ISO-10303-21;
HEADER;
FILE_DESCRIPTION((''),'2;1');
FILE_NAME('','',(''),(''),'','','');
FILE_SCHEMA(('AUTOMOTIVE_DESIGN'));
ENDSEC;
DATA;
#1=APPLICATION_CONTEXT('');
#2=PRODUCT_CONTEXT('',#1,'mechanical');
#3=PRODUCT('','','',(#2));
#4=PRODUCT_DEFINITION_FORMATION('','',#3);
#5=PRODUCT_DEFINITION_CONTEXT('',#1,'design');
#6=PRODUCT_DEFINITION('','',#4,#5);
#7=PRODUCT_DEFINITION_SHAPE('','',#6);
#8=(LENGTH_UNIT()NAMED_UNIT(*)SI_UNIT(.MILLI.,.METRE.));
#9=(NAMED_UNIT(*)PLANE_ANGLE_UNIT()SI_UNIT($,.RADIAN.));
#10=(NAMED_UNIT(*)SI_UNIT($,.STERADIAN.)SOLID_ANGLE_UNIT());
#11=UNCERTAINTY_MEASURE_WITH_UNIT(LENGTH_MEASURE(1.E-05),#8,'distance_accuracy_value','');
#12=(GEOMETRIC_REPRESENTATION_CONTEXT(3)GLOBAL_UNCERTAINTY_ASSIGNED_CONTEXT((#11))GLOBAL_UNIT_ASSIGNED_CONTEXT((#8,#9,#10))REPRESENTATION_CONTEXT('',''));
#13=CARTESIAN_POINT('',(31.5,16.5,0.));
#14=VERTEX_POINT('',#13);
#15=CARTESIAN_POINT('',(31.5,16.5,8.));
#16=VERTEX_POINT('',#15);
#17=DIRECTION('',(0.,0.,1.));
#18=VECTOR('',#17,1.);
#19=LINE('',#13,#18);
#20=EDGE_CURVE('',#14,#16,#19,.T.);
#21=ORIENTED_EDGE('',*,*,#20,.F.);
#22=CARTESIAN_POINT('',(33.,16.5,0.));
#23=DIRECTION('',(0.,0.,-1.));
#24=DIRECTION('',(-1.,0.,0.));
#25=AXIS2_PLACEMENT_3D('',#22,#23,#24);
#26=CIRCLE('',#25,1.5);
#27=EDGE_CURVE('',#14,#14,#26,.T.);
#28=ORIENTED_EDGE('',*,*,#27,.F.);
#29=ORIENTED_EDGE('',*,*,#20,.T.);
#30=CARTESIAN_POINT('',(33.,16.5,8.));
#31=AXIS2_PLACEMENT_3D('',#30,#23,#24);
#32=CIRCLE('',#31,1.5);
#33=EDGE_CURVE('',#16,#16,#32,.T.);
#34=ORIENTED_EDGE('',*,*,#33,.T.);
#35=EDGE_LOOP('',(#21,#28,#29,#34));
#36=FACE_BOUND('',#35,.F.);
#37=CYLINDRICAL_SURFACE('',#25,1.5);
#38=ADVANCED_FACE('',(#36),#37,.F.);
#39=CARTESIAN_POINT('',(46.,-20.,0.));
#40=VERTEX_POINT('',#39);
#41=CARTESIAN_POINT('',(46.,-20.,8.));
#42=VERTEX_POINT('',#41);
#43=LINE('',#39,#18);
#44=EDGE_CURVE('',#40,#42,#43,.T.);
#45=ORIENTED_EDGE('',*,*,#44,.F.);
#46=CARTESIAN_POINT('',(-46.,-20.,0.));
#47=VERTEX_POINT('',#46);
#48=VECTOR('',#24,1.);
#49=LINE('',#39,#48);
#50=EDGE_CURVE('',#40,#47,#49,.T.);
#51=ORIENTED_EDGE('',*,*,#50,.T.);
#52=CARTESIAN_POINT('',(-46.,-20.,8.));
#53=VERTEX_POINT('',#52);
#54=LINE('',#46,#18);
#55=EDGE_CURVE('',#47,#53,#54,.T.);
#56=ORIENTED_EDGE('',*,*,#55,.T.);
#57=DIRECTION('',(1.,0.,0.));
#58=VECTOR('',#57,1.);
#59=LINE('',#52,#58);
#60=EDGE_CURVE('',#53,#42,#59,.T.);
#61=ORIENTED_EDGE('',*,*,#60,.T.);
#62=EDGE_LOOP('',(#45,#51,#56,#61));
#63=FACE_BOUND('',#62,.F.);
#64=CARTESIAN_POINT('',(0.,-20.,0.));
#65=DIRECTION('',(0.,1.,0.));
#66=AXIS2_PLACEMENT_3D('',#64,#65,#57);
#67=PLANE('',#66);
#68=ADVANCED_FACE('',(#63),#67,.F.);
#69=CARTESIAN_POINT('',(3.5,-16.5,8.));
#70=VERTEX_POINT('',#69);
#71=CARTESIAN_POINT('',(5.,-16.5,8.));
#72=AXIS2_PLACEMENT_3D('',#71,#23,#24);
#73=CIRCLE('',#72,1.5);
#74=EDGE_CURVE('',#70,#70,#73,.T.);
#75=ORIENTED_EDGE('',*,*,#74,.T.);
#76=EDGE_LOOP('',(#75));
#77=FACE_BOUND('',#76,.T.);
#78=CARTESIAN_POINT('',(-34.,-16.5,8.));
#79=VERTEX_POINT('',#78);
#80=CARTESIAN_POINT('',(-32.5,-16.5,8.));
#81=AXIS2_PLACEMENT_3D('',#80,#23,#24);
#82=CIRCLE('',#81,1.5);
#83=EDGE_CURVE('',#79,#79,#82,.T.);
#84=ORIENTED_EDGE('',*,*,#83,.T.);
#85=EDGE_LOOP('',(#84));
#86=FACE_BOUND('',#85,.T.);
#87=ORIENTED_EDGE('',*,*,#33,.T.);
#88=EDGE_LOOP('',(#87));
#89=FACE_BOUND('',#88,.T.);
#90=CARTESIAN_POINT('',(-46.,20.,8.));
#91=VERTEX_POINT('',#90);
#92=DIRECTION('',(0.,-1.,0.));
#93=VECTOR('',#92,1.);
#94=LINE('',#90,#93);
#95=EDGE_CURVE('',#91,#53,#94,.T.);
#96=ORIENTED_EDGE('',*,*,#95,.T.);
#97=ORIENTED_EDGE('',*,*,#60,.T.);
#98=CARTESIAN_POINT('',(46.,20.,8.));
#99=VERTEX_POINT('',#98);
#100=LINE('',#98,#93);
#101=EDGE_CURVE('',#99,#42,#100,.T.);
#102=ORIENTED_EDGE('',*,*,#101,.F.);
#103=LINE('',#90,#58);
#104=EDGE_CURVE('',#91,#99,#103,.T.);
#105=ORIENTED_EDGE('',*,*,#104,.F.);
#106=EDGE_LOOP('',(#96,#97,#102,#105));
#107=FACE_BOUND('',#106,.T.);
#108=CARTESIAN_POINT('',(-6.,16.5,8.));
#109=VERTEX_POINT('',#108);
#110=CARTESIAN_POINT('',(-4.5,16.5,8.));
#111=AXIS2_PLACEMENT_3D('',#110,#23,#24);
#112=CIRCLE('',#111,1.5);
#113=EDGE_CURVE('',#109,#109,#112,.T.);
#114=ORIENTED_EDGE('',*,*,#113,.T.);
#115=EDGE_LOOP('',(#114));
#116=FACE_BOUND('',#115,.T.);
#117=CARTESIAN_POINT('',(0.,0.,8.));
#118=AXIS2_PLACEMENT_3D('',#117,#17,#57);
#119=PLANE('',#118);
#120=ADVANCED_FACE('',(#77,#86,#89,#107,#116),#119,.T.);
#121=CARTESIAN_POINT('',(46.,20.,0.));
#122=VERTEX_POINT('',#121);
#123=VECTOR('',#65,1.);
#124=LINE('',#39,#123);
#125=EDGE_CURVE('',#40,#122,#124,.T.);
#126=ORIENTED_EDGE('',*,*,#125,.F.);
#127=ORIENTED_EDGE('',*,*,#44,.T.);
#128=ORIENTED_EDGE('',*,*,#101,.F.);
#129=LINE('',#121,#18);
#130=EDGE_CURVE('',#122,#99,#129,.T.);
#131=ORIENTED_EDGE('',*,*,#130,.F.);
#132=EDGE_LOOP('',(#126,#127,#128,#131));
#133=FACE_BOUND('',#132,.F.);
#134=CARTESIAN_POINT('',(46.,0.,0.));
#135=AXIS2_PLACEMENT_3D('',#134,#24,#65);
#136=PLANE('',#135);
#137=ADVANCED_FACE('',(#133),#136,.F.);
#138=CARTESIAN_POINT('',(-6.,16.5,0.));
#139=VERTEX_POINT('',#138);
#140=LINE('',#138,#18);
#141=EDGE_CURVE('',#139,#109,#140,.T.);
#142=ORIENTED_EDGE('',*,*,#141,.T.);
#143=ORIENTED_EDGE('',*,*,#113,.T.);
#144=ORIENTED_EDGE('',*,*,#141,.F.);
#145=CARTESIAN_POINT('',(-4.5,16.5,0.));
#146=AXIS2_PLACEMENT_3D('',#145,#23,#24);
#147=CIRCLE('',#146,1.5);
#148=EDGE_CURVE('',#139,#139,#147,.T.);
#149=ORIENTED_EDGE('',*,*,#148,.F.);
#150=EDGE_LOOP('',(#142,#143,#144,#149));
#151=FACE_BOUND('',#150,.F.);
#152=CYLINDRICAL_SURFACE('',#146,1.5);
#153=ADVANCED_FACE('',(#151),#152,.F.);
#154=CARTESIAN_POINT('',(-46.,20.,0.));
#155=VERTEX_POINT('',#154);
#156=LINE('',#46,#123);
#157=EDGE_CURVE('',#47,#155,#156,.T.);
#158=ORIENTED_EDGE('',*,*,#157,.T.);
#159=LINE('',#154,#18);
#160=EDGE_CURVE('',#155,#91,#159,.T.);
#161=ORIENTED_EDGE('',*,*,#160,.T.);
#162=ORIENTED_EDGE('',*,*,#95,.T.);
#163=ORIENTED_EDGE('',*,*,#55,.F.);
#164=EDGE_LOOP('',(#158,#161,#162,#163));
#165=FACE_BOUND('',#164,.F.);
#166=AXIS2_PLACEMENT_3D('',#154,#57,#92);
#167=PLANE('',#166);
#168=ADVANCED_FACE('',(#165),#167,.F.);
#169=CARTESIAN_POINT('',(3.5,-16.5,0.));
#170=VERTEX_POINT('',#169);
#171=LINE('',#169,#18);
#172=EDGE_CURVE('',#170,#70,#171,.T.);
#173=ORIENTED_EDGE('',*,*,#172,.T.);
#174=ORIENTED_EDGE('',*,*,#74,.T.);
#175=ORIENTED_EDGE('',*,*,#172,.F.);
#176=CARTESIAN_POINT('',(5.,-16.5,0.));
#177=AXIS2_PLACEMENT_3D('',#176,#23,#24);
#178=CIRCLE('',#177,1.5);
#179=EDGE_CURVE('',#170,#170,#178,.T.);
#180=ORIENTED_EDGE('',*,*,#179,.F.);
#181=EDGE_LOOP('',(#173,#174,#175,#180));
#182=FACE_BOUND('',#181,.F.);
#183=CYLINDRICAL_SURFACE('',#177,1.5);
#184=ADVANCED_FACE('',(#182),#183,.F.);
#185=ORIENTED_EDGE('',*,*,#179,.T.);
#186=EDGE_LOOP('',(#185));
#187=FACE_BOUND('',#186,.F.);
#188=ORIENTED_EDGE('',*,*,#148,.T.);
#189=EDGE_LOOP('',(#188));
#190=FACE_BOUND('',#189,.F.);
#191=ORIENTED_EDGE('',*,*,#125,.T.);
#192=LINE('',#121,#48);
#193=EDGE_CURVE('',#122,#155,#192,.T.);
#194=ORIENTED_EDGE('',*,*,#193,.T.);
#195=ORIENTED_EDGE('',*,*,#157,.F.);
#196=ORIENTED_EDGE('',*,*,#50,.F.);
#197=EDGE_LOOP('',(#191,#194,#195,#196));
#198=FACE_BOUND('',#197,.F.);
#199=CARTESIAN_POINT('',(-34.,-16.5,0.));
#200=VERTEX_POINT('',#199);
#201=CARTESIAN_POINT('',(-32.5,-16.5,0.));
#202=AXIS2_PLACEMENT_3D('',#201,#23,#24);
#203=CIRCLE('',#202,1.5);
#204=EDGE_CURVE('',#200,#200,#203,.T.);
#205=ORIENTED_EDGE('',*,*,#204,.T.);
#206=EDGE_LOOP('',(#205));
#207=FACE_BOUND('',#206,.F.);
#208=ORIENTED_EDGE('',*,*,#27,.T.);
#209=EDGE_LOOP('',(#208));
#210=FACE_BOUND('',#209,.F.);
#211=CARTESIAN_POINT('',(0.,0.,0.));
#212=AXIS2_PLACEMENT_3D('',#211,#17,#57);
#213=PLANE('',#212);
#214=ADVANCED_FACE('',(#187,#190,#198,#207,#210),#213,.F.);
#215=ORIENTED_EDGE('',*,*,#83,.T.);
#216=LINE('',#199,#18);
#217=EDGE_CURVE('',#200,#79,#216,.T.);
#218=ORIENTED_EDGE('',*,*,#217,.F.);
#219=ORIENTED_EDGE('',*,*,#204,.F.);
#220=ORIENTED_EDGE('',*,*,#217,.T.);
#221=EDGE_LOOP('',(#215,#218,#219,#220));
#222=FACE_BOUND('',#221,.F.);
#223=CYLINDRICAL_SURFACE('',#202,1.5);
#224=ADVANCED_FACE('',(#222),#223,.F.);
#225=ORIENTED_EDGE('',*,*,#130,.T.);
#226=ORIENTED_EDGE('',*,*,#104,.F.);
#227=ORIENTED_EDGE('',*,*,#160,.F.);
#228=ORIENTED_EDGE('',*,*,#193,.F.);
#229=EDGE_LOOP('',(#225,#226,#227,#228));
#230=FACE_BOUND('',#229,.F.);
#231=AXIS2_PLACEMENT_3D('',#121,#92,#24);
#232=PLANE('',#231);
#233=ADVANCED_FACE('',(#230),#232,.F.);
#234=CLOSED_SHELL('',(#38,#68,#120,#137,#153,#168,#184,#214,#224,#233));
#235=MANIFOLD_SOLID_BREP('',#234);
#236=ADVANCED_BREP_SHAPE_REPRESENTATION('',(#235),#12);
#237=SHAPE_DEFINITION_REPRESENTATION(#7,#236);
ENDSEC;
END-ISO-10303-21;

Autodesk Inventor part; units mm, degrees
ref_plane "YZ Plane" through (0, 0, 0) normal (1, 0, 0) x (0, 1, 0)
ref_plane "XZ Plane" through (0, 0, 0) normal (0, 1, 0) x (-1, 0, 0)
ref_plane "XY Plane" through (0, 0, 0) normal (0, 0, 1) x (1, 0, 0)
sketch "Sketch1" plane through (0, 0, 0) normal (0, 0, 1) x (1, 0, 0)
  line L0 (0, 0) -> (46, 0)
  line L1 (46, 0) -> (46, 20)
  line L2 (46, 20) -> (0, 20)
  line L3 (0, 20) -> (0, 0)
  line L4 (0, 0) -> (-46, 0)
  line L5 (-46, 0) -> (-46, -20)
  line L6 (-46, -20) -> (0, -20)
  line L7 (0, -20) -> (0, 0)
  line L8 (-46, -20) -> (46, -20)
  line L9 (46, -20) -> (46, 20)
  line L10 (46, 20) -> (-46, 20)
  line L11 (-46, 20) -> (-46, -20)
  point P0 (0, 20)
  point P1 (0, -20)
  dimension "d7" = 40
  dimension "d8" = 92
extrude "Extrusion1" add sketch "Sketch1" along normal blind 8
sketch "Sketch2" plane through (0, 0, 0) normal (0, 0, -1) x (-1, 0, 0)
  circle A0 centre (24, 16) radius 1.25 construction
  circle A1 centre (-33, 16.5) radius 1.5
  circle A2 centre (-14, 16) radius 1.25 construction
  circle A3 centre (14, 16) radius 1.25 construction
  circle A4 centre (4.5, 16.5) radius 1.5
  circle A5 centre (-5, -16.5) radius 1.5
  circle A6 centre (32.5, -16.5) radius 1.5
  point P0 (0, 0)
extrude "Extrusion2" cut sketch "Sketch2" against normal through all
properties part number "Bottom"
